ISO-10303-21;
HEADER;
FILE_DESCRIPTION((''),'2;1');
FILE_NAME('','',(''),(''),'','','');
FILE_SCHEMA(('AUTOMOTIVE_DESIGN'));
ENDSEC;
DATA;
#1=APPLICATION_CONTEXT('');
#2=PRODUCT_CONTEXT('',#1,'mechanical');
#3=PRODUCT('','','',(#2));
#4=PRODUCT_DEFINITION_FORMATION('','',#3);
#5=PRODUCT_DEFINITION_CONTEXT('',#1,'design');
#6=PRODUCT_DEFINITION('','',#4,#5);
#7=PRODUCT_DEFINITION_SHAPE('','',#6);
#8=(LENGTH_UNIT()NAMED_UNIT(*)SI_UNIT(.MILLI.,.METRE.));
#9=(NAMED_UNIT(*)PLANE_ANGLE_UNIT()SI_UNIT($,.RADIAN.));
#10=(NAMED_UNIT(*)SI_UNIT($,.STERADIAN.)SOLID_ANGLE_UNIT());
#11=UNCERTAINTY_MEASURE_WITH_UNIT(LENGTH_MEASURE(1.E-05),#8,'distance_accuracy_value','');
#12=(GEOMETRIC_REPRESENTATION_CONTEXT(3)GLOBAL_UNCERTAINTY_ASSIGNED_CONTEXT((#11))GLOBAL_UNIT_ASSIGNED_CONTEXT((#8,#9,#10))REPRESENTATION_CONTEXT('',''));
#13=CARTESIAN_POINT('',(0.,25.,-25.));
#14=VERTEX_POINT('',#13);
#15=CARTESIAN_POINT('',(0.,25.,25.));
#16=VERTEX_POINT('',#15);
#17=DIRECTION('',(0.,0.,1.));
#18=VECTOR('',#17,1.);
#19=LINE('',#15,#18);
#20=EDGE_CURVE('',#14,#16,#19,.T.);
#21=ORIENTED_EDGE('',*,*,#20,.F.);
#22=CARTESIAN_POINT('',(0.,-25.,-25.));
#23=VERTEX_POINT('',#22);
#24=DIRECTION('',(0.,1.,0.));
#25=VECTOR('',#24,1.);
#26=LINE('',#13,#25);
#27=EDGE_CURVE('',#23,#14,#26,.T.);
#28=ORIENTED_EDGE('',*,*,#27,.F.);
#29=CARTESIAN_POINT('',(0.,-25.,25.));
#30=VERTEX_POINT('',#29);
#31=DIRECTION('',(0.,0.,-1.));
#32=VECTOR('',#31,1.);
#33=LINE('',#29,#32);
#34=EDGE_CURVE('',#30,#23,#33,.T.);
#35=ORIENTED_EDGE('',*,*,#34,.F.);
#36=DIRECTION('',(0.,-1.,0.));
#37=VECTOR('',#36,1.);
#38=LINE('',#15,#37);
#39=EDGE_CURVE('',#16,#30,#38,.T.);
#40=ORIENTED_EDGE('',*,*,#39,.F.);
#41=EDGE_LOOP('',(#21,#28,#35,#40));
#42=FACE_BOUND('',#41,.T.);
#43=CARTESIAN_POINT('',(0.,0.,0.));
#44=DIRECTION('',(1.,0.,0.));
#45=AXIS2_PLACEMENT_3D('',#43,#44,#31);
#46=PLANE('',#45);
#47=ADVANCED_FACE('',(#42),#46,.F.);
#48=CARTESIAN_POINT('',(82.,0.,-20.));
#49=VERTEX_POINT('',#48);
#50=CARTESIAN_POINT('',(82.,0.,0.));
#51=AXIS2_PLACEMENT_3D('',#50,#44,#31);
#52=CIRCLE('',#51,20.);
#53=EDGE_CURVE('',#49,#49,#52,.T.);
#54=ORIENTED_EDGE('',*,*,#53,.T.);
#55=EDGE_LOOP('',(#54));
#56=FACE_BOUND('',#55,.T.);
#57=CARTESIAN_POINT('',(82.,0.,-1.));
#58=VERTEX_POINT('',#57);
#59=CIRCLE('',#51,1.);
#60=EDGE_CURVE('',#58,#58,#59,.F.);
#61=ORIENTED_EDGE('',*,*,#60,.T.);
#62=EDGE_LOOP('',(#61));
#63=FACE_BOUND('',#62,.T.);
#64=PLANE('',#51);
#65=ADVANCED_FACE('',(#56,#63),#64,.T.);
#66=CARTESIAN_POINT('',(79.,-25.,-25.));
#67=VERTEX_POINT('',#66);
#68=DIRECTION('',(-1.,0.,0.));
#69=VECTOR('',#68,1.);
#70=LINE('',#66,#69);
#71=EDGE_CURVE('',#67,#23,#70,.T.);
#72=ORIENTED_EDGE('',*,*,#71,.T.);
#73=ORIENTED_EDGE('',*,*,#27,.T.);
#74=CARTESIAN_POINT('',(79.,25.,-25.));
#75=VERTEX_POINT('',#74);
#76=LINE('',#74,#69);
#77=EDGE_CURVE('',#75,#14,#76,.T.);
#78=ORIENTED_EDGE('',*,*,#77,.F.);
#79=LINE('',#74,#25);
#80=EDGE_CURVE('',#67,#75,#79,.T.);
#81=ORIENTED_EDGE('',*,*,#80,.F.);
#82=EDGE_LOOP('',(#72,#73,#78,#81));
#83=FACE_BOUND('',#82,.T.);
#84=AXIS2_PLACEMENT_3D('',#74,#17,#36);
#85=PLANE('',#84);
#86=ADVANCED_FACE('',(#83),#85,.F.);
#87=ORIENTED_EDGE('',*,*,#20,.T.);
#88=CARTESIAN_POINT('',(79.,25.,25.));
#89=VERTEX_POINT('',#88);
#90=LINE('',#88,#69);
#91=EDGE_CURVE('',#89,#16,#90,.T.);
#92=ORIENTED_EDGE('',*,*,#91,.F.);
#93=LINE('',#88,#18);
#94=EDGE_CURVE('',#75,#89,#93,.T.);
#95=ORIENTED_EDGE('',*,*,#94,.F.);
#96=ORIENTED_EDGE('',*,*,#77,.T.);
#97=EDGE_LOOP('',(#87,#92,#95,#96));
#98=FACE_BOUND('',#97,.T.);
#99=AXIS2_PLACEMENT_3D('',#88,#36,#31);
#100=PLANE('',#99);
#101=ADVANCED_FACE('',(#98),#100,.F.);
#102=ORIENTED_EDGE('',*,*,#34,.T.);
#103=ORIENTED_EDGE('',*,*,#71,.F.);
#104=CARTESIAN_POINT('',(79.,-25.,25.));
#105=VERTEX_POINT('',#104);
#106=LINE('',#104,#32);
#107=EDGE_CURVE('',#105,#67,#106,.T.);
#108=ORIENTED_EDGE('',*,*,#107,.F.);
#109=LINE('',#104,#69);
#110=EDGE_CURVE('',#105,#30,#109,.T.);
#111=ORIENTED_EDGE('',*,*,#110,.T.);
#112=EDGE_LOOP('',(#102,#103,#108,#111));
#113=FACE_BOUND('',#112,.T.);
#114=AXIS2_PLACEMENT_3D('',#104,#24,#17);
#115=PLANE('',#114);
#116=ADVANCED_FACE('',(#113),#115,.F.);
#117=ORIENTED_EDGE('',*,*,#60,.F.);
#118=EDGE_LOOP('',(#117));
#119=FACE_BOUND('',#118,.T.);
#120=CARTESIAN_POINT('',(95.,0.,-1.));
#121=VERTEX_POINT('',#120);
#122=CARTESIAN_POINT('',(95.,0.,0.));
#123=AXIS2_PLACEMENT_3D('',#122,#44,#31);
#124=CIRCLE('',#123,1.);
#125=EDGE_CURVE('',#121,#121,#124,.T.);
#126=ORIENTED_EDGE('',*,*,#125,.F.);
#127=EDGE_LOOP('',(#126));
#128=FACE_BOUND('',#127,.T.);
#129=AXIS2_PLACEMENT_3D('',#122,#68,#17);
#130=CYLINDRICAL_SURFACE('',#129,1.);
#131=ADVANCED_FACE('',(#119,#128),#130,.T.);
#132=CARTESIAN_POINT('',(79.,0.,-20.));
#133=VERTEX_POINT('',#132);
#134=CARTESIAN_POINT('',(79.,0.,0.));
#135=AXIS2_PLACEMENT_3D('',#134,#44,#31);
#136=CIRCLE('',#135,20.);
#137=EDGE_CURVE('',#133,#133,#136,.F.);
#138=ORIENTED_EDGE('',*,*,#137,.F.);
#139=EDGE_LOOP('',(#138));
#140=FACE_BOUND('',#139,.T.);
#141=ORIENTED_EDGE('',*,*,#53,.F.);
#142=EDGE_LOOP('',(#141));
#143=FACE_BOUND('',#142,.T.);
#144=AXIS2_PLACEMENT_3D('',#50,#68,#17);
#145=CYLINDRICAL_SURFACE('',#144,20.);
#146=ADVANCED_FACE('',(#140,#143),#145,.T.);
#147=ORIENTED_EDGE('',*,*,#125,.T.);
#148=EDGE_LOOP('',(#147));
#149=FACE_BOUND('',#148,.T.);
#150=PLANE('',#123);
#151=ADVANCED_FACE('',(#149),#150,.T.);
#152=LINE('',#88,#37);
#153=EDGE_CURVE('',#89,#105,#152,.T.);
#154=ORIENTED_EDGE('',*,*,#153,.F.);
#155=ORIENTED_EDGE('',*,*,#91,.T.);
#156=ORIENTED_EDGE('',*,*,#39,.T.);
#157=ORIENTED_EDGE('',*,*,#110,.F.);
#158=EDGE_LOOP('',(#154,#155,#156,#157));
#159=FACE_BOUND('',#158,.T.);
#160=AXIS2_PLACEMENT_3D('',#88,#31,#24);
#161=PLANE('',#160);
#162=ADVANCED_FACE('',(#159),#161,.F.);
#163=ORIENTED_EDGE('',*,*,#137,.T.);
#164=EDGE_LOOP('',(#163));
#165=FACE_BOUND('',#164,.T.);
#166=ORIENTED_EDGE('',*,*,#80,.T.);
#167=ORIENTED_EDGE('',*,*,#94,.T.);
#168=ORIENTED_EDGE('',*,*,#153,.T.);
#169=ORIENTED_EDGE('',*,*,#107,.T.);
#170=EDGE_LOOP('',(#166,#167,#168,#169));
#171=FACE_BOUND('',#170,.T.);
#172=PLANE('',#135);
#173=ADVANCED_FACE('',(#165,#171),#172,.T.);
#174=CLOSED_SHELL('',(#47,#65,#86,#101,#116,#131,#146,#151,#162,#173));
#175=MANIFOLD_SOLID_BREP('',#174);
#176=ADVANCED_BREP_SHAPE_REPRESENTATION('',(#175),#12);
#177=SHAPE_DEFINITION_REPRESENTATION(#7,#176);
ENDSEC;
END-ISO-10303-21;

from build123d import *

# Parameters (mm, degrees)
SKETCH_1_W      = 50
SKETCH_1_H      = 50
EXTRUDE_1_DEPTH = 79
SKETCH_2_R      = 20
EXTRUDE_2_DEPTH = 82
SKETCH_3_R      = 1
EXTRUDE_3_DEPTH = 95


with BuildPart() as part:
    # 草图1 → 凸台-拉伸1 (new body)
    with BuildSketch(Plane(origin=(0, 0, 0), x_dir=(0, 0, -1), z_dir=(1, 0, 0))):
        Rectangle(SKETCH_1_W, SKETCH_1_H)
    extrude(amount=EXTRUDE_1_DEPTH)

    # 草图2 → 凸台-拉伸2 (add)
    with BuildSketch(Plane(origin=(0, 0, 0), x_dir=(0, 0, -1), z_dir=(1, 0, 0))):
        Circle(SKETCH_2_R)
    extrude(amount=EXTRUDE_2_DEPTH)

    # 草图3 → 凸台-拉伸3 (add)
    with BuildSketch(Plane(origin=(0, 0, 0), x_dir=(0, 0, -1), z_dir=(1, 0, 0))):
        Circle(SKETCH_3_R)
    extrude(amount=EXTRUDE_3_DEPTH)


solid = part.part
